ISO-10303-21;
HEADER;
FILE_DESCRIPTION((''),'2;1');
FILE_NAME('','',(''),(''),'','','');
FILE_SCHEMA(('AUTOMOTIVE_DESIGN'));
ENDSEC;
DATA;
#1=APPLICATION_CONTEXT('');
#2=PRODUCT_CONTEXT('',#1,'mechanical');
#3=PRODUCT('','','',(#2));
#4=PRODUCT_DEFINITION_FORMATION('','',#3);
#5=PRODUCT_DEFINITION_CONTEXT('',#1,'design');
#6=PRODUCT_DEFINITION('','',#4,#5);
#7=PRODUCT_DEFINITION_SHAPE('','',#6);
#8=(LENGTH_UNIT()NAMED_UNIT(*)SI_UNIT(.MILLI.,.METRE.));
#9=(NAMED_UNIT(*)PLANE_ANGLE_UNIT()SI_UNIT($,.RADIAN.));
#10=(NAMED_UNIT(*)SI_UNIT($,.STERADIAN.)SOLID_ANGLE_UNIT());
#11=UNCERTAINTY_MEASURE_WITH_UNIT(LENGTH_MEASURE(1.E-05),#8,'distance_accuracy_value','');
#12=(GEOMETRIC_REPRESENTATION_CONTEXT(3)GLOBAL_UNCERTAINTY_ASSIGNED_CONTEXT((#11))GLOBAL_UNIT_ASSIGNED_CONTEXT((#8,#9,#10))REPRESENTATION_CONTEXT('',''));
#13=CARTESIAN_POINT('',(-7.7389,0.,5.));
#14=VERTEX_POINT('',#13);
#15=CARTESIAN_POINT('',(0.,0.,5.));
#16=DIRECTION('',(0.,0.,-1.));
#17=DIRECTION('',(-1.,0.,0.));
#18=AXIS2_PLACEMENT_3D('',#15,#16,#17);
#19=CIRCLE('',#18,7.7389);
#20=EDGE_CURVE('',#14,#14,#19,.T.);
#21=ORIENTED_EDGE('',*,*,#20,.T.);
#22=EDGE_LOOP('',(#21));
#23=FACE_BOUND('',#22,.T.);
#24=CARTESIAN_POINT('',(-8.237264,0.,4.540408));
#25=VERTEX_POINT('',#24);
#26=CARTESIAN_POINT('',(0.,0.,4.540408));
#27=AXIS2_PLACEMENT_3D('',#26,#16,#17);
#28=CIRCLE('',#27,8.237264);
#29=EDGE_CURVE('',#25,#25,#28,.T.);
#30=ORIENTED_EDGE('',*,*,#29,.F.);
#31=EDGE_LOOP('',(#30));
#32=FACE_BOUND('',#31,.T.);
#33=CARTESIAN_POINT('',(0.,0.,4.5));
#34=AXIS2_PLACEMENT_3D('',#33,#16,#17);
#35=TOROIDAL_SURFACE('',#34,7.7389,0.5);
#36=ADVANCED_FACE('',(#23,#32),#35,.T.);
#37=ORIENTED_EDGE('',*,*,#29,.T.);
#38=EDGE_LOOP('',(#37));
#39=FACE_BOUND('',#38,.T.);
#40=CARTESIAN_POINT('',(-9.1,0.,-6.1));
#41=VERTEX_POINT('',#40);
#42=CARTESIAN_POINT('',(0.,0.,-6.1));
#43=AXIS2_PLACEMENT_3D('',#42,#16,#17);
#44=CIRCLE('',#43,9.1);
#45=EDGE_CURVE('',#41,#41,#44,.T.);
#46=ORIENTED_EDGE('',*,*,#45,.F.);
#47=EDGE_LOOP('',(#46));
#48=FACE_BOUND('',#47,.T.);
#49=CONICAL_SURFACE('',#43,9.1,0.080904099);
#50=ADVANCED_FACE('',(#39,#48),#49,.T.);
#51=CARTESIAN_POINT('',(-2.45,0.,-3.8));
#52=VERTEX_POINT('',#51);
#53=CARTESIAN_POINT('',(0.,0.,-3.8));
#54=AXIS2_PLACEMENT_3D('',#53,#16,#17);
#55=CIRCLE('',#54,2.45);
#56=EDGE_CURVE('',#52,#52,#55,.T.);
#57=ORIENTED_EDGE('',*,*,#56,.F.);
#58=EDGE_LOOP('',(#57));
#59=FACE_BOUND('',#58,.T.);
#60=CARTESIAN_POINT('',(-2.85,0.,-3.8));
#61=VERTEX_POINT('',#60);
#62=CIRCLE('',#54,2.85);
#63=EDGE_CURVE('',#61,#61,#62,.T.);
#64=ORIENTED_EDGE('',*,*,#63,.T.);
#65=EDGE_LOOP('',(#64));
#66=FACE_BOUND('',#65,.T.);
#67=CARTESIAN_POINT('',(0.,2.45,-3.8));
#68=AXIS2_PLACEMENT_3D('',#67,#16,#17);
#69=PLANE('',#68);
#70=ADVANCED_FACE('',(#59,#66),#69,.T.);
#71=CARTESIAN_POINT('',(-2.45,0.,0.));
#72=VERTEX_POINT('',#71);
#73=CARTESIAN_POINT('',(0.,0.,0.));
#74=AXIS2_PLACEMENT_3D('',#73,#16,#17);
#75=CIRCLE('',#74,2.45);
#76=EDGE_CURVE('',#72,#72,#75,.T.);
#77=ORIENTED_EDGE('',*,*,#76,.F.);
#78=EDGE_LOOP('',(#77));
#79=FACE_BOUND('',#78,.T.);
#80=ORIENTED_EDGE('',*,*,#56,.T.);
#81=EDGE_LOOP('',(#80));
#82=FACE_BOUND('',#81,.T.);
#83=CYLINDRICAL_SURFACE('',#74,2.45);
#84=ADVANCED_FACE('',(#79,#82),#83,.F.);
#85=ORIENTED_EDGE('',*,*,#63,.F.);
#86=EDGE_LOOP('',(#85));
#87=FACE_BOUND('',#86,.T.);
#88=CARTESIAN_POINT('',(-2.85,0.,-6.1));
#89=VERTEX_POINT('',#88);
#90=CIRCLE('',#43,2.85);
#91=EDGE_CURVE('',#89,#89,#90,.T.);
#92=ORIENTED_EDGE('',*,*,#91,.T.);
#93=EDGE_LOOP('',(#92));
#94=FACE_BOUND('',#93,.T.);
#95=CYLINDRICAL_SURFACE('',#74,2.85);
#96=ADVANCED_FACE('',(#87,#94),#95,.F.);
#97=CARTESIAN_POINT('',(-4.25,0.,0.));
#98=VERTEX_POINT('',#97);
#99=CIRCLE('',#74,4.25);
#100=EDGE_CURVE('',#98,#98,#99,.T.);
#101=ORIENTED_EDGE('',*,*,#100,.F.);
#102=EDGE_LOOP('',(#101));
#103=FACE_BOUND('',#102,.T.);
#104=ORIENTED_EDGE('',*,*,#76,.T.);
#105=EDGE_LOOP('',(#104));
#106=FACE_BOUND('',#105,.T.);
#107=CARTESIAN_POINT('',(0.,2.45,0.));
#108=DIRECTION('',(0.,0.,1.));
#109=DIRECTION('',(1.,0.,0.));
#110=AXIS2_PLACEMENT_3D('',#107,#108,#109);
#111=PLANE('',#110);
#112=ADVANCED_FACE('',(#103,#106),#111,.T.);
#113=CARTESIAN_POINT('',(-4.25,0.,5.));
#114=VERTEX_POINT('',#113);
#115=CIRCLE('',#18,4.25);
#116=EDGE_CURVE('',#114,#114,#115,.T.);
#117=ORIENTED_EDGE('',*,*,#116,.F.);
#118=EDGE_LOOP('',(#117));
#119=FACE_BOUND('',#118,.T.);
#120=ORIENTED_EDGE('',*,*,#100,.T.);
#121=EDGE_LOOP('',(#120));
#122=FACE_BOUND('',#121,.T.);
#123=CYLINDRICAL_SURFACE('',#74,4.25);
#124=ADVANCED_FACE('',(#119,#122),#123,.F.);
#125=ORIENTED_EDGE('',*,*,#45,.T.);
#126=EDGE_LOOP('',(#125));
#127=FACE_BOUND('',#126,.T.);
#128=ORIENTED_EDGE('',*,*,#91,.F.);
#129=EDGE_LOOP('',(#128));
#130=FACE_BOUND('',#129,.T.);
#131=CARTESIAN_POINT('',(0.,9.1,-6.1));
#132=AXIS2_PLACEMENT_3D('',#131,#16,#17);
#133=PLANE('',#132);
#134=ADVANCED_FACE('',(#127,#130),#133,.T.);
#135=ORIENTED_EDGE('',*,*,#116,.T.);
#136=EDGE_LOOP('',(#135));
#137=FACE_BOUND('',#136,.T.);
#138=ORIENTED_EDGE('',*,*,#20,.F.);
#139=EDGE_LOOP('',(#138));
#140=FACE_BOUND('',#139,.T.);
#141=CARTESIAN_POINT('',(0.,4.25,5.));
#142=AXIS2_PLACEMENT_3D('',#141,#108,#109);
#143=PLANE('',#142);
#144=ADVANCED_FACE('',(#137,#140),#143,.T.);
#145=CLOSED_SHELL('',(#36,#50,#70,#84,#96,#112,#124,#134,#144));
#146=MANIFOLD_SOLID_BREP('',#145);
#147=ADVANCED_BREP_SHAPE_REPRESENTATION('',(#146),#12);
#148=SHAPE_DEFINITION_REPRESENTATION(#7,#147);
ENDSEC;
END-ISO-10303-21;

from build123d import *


with BuildPart() as part:
    # Sketch1 → Revolve1 (revolve)
    with BuildSketch(Plane(origin=(0, 0, 0), x_dir=(0, 0, -1), z_dir=(1, 0, 0)), mode=Mode.PRIVATE) as revolve1_sk:
        with BuildLine():
            Line((0, 2.45), (0, 4.25))
            Line((0, 4.25), (-5, 4.25))
            Line((-5, 4.25), (-5, 7.738899697))
            ThreePointArc((-5, 7.738899697), (-4.867562217, 8.077865797), (-4.540407934, 8.237264222))
            Line((-4.540407934, 8.237264222), (6.1, 9.1))
            Line((6.1, 9.1), (6.1, 2.85))
            Line((6.1, 2.85), (3.8, 2.85))
            Line((3.8, 2.85), (3.8, 2.45))
            Line((3.8, 2.45), (0, 2.45))
        make_face()
    revolve(revolve1_sk.sketch.rotate(Axis((0, 0, 0), (0, 0, 1)), 90), axis=Axis((0, 0, 0), (0, 0, 1)))


solid = part.part
